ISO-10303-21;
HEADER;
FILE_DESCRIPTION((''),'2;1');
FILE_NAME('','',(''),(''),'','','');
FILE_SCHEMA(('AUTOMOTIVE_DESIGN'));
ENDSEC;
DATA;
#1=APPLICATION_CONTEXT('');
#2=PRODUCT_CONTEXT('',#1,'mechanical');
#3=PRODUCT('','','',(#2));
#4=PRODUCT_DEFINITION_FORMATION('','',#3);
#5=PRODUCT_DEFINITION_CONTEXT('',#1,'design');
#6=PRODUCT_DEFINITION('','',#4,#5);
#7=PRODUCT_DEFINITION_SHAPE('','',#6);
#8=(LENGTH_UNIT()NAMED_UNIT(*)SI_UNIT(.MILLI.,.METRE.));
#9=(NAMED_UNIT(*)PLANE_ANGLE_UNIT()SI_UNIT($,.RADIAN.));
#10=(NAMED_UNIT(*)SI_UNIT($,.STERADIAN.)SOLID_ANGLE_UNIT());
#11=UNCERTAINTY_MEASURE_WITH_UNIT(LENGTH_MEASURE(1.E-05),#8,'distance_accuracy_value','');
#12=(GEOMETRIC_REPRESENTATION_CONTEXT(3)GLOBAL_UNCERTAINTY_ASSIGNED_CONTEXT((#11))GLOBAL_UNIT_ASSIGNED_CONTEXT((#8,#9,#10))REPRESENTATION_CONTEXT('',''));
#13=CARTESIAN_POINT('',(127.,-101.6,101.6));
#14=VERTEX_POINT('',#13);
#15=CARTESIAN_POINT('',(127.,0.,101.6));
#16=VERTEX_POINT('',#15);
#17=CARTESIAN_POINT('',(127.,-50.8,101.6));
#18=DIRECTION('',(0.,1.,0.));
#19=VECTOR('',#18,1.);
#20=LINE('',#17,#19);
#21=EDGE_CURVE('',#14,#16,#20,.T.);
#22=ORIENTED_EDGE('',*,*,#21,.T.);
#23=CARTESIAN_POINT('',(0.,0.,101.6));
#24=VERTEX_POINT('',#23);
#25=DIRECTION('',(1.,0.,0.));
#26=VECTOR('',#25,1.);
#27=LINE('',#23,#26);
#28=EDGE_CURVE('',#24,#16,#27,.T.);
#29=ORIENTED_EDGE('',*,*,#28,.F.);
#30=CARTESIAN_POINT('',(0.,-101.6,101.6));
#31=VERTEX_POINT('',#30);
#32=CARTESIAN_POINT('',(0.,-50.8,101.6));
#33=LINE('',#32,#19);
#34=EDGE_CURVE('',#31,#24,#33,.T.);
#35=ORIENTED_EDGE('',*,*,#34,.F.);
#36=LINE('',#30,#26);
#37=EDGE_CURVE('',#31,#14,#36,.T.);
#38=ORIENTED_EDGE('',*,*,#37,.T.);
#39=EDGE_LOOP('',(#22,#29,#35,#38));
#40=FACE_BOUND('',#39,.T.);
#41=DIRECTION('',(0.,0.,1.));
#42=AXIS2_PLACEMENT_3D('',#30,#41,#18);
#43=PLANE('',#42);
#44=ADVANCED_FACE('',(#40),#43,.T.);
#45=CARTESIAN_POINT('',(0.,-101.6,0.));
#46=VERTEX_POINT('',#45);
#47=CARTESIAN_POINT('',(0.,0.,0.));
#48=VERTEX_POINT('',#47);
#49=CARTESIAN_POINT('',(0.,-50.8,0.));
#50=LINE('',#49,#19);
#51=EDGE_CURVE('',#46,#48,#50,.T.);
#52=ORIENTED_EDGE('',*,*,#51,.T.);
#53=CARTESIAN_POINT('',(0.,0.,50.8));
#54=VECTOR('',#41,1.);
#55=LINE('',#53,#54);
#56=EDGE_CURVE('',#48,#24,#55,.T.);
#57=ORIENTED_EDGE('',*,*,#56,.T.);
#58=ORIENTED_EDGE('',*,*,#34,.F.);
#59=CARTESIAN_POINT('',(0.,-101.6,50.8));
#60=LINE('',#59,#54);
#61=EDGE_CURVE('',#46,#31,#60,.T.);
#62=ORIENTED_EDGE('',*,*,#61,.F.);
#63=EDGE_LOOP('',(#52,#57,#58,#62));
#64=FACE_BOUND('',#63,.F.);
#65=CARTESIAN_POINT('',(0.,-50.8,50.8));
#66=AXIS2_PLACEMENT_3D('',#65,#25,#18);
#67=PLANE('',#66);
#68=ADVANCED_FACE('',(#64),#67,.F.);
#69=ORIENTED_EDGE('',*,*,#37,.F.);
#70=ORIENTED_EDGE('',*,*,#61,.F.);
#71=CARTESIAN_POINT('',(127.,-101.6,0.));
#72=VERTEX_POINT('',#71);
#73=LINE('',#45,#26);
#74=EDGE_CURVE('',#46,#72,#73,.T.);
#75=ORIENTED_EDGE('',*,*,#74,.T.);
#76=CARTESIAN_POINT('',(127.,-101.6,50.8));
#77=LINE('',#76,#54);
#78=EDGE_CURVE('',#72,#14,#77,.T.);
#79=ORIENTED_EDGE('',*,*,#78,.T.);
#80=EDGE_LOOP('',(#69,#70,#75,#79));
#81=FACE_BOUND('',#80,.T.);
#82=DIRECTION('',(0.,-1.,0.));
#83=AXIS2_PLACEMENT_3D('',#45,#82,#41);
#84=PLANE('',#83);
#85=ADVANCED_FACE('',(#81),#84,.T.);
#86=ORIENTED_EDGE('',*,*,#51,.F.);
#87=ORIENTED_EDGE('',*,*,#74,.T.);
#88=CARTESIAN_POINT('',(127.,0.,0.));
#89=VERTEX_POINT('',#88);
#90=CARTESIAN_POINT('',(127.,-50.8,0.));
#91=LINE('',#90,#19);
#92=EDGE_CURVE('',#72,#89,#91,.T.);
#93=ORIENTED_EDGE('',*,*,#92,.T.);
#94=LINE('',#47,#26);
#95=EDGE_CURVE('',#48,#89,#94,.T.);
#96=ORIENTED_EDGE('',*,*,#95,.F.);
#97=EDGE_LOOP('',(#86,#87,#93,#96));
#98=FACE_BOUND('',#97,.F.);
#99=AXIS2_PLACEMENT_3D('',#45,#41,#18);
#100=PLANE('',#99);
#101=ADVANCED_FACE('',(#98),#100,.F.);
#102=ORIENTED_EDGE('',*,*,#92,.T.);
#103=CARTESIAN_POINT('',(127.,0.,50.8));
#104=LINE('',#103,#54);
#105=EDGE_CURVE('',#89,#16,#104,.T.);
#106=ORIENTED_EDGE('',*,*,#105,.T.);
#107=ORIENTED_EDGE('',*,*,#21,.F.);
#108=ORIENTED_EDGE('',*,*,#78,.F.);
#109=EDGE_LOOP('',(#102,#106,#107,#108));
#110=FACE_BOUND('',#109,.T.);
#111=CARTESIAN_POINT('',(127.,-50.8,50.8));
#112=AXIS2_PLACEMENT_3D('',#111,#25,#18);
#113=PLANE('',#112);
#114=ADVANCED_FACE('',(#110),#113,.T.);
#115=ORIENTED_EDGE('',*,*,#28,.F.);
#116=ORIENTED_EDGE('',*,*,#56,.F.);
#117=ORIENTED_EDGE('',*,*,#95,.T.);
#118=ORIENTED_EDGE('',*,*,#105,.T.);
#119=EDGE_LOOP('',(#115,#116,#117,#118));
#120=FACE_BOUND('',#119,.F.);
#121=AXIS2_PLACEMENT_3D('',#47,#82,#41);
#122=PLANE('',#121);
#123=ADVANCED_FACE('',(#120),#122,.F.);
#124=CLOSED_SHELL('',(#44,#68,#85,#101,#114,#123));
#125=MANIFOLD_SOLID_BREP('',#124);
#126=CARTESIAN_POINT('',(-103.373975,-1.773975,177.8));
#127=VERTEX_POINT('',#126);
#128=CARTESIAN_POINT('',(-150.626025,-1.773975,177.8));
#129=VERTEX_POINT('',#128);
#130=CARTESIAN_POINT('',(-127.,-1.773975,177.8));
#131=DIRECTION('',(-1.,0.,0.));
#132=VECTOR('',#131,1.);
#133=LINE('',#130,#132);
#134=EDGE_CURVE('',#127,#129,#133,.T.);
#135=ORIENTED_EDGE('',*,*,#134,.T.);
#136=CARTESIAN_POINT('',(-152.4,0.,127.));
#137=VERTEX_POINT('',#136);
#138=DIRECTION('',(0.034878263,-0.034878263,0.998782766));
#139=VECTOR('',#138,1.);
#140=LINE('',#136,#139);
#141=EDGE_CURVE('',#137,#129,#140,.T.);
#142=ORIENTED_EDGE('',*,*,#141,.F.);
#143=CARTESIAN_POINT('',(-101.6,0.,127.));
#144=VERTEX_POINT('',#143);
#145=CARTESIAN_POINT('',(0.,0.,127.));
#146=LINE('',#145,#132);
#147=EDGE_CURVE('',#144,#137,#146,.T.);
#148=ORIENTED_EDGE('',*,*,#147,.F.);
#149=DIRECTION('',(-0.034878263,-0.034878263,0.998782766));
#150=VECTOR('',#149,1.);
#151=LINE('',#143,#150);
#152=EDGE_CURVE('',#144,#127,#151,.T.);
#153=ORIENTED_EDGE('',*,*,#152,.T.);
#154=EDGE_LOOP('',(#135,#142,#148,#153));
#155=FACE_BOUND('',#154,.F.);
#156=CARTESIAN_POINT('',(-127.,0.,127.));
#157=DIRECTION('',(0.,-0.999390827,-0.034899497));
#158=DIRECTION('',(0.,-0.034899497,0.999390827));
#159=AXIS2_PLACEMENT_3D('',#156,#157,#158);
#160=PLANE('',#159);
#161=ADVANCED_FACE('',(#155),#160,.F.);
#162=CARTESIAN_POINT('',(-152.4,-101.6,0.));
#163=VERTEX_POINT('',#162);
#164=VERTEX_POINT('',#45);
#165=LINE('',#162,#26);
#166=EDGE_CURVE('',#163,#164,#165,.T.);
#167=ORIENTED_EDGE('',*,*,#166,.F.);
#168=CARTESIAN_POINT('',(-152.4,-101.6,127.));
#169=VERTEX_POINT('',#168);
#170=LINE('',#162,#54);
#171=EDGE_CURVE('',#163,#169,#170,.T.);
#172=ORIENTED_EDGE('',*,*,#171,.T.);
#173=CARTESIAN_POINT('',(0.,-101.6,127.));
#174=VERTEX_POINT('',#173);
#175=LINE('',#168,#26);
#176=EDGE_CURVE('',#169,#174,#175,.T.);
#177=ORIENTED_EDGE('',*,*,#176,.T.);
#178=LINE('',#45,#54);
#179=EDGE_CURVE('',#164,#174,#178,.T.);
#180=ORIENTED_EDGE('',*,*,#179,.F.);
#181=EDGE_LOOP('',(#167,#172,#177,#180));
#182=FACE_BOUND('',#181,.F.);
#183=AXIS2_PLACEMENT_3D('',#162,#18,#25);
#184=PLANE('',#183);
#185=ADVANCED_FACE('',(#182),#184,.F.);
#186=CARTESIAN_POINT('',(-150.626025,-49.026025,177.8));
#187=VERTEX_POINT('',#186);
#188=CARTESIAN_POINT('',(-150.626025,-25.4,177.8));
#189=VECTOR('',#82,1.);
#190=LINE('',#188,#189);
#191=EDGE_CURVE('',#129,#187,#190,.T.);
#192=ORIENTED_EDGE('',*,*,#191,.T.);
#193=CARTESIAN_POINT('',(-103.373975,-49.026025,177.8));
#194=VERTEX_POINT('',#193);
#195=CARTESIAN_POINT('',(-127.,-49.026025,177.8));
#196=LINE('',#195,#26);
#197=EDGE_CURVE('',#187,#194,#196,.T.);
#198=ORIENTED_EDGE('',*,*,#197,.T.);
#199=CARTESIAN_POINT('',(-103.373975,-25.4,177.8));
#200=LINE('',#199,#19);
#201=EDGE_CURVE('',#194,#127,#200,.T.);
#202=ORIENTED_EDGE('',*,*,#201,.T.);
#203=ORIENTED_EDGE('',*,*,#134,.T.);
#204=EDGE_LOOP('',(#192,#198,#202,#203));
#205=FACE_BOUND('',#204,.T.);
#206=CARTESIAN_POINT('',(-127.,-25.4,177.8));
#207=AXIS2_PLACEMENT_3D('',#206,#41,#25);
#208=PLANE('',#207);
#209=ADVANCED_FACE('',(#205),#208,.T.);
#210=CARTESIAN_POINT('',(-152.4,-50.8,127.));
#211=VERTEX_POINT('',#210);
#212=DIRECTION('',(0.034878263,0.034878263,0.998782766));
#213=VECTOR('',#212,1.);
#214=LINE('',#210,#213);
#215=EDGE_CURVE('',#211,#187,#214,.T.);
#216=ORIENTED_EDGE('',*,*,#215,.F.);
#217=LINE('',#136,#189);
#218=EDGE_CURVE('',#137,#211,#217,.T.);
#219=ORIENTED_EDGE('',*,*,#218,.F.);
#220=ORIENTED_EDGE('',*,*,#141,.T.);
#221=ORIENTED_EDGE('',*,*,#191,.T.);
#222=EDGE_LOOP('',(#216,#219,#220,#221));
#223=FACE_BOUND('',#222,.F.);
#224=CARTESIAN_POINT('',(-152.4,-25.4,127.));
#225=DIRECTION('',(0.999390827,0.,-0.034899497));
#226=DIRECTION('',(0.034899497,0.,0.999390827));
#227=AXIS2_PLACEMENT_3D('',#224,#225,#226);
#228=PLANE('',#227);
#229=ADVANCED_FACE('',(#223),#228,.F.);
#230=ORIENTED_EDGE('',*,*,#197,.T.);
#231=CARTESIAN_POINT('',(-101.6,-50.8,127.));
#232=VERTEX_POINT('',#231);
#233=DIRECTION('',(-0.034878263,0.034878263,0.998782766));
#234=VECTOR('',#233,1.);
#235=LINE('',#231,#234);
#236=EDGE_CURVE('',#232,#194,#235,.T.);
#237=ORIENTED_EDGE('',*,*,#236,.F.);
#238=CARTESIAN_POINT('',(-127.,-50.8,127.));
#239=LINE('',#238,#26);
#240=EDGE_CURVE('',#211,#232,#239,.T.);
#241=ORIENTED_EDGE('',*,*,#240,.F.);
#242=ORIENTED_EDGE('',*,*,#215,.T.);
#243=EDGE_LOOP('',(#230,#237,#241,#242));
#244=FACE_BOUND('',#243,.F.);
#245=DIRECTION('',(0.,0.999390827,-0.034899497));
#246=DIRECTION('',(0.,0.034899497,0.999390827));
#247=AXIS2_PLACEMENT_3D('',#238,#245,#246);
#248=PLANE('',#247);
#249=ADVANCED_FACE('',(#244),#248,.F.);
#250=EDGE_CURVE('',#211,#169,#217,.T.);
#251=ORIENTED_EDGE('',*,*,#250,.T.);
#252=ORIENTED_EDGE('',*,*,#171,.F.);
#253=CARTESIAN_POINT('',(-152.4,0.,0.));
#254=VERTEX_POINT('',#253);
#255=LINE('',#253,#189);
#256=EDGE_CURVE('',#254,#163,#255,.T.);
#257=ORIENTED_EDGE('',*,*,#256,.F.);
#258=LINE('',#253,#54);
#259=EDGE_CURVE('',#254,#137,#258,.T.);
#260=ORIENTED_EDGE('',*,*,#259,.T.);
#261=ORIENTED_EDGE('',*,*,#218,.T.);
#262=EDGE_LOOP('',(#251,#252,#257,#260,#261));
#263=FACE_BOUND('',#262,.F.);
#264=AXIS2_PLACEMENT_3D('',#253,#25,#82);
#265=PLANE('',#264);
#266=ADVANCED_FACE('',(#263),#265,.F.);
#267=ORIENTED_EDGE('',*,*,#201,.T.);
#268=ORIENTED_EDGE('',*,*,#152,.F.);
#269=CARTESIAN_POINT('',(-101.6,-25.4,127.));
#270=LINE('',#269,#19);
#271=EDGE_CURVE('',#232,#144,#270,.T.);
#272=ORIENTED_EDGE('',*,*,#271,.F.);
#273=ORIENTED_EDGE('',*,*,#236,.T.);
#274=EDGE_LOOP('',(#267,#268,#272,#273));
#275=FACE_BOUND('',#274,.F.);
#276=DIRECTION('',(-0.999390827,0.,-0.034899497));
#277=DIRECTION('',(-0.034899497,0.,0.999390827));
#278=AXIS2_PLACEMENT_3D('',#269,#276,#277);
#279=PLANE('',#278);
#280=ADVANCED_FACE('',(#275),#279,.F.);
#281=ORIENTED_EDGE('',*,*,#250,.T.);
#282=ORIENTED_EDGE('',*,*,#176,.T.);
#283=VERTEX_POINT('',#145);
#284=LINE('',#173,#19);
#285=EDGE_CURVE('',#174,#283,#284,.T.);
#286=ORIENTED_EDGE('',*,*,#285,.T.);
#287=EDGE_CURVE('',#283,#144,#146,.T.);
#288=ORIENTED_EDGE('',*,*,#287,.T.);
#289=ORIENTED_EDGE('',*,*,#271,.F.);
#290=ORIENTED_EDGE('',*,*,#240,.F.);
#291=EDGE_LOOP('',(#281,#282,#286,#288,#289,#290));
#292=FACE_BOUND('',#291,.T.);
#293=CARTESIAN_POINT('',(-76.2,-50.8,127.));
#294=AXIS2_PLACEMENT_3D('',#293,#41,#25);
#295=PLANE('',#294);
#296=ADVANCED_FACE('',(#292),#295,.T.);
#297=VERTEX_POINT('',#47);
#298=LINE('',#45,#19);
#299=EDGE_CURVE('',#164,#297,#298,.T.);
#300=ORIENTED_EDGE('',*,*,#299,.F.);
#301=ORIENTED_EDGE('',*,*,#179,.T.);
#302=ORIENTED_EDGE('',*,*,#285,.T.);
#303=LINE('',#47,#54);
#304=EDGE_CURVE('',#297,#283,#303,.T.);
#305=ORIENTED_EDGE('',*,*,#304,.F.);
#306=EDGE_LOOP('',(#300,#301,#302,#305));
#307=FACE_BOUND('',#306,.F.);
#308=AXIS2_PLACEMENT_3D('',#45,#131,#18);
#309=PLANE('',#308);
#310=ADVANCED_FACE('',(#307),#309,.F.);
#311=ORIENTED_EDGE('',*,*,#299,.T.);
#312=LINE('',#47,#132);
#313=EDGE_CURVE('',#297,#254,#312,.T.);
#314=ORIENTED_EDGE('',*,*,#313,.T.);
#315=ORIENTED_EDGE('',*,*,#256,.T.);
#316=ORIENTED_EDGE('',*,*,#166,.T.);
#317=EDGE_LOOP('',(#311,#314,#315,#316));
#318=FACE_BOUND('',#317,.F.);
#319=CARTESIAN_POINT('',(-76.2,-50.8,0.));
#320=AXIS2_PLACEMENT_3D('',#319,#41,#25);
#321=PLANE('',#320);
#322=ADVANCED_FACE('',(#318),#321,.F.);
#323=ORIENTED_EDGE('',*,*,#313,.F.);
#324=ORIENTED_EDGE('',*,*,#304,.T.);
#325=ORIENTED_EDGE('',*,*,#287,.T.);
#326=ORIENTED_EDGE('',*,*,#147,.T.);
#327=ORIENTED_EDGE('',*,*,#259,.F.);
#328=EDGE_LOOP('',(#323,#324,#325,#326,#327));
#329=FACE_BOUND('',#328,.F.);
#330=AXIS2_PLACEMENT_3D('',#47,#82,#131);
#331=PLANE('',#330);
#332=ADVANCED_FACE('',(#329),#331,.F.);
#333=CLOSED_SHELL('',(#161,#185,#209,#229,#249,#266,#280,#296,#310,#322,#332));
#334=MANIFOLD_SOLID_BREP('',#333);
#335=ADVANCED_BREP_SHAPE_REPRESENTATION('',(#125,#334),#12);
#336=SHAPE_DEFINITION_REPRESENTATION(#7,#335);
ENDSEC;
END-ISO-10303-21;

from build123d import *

# Parameters (mm, degrees)
F1_DEPTH = 127
F2_W     = 50.8
F2_H     = 50.8
F3_DEPTH = 50.8
F3_TAPER = 2
F4_W     = 101.6
F4_H     = 101.6
F5_DEPTH = 127


with BuildPart() as f1:
    # F0 (on Top) → F1 (new body)
    with BuildSketch(Plane.XY):
        Polygon((0, -101.6), (0, 0), (-152.4, 0), (-152.4, -83.5059957942), (-152.4, -101.6), (-73.8790052375, -101.6), align=None)
    extrude(amount=F1_DEPTH)

    # F2 (on face) → F3 (join)
    with BuildSketch(Plane.XY.offset(127)):
        with Locations((-127, -25.4)):
            Rectangle(F2_W, F2_H)
    extrude(amount=F3_DEPTH, taper=F3_TAPER)


with BuildPart() as f5:
    # F4 (on face) → F5 (new body)
    with BuildSketch(Plane.YZ):
        with Locations((-50.8, 50.8)):
            Rectangle(F4_W, F4_H)
    extrude(amount=F5_DEPTH)


solid = Compound([f1.part, f5.part])
